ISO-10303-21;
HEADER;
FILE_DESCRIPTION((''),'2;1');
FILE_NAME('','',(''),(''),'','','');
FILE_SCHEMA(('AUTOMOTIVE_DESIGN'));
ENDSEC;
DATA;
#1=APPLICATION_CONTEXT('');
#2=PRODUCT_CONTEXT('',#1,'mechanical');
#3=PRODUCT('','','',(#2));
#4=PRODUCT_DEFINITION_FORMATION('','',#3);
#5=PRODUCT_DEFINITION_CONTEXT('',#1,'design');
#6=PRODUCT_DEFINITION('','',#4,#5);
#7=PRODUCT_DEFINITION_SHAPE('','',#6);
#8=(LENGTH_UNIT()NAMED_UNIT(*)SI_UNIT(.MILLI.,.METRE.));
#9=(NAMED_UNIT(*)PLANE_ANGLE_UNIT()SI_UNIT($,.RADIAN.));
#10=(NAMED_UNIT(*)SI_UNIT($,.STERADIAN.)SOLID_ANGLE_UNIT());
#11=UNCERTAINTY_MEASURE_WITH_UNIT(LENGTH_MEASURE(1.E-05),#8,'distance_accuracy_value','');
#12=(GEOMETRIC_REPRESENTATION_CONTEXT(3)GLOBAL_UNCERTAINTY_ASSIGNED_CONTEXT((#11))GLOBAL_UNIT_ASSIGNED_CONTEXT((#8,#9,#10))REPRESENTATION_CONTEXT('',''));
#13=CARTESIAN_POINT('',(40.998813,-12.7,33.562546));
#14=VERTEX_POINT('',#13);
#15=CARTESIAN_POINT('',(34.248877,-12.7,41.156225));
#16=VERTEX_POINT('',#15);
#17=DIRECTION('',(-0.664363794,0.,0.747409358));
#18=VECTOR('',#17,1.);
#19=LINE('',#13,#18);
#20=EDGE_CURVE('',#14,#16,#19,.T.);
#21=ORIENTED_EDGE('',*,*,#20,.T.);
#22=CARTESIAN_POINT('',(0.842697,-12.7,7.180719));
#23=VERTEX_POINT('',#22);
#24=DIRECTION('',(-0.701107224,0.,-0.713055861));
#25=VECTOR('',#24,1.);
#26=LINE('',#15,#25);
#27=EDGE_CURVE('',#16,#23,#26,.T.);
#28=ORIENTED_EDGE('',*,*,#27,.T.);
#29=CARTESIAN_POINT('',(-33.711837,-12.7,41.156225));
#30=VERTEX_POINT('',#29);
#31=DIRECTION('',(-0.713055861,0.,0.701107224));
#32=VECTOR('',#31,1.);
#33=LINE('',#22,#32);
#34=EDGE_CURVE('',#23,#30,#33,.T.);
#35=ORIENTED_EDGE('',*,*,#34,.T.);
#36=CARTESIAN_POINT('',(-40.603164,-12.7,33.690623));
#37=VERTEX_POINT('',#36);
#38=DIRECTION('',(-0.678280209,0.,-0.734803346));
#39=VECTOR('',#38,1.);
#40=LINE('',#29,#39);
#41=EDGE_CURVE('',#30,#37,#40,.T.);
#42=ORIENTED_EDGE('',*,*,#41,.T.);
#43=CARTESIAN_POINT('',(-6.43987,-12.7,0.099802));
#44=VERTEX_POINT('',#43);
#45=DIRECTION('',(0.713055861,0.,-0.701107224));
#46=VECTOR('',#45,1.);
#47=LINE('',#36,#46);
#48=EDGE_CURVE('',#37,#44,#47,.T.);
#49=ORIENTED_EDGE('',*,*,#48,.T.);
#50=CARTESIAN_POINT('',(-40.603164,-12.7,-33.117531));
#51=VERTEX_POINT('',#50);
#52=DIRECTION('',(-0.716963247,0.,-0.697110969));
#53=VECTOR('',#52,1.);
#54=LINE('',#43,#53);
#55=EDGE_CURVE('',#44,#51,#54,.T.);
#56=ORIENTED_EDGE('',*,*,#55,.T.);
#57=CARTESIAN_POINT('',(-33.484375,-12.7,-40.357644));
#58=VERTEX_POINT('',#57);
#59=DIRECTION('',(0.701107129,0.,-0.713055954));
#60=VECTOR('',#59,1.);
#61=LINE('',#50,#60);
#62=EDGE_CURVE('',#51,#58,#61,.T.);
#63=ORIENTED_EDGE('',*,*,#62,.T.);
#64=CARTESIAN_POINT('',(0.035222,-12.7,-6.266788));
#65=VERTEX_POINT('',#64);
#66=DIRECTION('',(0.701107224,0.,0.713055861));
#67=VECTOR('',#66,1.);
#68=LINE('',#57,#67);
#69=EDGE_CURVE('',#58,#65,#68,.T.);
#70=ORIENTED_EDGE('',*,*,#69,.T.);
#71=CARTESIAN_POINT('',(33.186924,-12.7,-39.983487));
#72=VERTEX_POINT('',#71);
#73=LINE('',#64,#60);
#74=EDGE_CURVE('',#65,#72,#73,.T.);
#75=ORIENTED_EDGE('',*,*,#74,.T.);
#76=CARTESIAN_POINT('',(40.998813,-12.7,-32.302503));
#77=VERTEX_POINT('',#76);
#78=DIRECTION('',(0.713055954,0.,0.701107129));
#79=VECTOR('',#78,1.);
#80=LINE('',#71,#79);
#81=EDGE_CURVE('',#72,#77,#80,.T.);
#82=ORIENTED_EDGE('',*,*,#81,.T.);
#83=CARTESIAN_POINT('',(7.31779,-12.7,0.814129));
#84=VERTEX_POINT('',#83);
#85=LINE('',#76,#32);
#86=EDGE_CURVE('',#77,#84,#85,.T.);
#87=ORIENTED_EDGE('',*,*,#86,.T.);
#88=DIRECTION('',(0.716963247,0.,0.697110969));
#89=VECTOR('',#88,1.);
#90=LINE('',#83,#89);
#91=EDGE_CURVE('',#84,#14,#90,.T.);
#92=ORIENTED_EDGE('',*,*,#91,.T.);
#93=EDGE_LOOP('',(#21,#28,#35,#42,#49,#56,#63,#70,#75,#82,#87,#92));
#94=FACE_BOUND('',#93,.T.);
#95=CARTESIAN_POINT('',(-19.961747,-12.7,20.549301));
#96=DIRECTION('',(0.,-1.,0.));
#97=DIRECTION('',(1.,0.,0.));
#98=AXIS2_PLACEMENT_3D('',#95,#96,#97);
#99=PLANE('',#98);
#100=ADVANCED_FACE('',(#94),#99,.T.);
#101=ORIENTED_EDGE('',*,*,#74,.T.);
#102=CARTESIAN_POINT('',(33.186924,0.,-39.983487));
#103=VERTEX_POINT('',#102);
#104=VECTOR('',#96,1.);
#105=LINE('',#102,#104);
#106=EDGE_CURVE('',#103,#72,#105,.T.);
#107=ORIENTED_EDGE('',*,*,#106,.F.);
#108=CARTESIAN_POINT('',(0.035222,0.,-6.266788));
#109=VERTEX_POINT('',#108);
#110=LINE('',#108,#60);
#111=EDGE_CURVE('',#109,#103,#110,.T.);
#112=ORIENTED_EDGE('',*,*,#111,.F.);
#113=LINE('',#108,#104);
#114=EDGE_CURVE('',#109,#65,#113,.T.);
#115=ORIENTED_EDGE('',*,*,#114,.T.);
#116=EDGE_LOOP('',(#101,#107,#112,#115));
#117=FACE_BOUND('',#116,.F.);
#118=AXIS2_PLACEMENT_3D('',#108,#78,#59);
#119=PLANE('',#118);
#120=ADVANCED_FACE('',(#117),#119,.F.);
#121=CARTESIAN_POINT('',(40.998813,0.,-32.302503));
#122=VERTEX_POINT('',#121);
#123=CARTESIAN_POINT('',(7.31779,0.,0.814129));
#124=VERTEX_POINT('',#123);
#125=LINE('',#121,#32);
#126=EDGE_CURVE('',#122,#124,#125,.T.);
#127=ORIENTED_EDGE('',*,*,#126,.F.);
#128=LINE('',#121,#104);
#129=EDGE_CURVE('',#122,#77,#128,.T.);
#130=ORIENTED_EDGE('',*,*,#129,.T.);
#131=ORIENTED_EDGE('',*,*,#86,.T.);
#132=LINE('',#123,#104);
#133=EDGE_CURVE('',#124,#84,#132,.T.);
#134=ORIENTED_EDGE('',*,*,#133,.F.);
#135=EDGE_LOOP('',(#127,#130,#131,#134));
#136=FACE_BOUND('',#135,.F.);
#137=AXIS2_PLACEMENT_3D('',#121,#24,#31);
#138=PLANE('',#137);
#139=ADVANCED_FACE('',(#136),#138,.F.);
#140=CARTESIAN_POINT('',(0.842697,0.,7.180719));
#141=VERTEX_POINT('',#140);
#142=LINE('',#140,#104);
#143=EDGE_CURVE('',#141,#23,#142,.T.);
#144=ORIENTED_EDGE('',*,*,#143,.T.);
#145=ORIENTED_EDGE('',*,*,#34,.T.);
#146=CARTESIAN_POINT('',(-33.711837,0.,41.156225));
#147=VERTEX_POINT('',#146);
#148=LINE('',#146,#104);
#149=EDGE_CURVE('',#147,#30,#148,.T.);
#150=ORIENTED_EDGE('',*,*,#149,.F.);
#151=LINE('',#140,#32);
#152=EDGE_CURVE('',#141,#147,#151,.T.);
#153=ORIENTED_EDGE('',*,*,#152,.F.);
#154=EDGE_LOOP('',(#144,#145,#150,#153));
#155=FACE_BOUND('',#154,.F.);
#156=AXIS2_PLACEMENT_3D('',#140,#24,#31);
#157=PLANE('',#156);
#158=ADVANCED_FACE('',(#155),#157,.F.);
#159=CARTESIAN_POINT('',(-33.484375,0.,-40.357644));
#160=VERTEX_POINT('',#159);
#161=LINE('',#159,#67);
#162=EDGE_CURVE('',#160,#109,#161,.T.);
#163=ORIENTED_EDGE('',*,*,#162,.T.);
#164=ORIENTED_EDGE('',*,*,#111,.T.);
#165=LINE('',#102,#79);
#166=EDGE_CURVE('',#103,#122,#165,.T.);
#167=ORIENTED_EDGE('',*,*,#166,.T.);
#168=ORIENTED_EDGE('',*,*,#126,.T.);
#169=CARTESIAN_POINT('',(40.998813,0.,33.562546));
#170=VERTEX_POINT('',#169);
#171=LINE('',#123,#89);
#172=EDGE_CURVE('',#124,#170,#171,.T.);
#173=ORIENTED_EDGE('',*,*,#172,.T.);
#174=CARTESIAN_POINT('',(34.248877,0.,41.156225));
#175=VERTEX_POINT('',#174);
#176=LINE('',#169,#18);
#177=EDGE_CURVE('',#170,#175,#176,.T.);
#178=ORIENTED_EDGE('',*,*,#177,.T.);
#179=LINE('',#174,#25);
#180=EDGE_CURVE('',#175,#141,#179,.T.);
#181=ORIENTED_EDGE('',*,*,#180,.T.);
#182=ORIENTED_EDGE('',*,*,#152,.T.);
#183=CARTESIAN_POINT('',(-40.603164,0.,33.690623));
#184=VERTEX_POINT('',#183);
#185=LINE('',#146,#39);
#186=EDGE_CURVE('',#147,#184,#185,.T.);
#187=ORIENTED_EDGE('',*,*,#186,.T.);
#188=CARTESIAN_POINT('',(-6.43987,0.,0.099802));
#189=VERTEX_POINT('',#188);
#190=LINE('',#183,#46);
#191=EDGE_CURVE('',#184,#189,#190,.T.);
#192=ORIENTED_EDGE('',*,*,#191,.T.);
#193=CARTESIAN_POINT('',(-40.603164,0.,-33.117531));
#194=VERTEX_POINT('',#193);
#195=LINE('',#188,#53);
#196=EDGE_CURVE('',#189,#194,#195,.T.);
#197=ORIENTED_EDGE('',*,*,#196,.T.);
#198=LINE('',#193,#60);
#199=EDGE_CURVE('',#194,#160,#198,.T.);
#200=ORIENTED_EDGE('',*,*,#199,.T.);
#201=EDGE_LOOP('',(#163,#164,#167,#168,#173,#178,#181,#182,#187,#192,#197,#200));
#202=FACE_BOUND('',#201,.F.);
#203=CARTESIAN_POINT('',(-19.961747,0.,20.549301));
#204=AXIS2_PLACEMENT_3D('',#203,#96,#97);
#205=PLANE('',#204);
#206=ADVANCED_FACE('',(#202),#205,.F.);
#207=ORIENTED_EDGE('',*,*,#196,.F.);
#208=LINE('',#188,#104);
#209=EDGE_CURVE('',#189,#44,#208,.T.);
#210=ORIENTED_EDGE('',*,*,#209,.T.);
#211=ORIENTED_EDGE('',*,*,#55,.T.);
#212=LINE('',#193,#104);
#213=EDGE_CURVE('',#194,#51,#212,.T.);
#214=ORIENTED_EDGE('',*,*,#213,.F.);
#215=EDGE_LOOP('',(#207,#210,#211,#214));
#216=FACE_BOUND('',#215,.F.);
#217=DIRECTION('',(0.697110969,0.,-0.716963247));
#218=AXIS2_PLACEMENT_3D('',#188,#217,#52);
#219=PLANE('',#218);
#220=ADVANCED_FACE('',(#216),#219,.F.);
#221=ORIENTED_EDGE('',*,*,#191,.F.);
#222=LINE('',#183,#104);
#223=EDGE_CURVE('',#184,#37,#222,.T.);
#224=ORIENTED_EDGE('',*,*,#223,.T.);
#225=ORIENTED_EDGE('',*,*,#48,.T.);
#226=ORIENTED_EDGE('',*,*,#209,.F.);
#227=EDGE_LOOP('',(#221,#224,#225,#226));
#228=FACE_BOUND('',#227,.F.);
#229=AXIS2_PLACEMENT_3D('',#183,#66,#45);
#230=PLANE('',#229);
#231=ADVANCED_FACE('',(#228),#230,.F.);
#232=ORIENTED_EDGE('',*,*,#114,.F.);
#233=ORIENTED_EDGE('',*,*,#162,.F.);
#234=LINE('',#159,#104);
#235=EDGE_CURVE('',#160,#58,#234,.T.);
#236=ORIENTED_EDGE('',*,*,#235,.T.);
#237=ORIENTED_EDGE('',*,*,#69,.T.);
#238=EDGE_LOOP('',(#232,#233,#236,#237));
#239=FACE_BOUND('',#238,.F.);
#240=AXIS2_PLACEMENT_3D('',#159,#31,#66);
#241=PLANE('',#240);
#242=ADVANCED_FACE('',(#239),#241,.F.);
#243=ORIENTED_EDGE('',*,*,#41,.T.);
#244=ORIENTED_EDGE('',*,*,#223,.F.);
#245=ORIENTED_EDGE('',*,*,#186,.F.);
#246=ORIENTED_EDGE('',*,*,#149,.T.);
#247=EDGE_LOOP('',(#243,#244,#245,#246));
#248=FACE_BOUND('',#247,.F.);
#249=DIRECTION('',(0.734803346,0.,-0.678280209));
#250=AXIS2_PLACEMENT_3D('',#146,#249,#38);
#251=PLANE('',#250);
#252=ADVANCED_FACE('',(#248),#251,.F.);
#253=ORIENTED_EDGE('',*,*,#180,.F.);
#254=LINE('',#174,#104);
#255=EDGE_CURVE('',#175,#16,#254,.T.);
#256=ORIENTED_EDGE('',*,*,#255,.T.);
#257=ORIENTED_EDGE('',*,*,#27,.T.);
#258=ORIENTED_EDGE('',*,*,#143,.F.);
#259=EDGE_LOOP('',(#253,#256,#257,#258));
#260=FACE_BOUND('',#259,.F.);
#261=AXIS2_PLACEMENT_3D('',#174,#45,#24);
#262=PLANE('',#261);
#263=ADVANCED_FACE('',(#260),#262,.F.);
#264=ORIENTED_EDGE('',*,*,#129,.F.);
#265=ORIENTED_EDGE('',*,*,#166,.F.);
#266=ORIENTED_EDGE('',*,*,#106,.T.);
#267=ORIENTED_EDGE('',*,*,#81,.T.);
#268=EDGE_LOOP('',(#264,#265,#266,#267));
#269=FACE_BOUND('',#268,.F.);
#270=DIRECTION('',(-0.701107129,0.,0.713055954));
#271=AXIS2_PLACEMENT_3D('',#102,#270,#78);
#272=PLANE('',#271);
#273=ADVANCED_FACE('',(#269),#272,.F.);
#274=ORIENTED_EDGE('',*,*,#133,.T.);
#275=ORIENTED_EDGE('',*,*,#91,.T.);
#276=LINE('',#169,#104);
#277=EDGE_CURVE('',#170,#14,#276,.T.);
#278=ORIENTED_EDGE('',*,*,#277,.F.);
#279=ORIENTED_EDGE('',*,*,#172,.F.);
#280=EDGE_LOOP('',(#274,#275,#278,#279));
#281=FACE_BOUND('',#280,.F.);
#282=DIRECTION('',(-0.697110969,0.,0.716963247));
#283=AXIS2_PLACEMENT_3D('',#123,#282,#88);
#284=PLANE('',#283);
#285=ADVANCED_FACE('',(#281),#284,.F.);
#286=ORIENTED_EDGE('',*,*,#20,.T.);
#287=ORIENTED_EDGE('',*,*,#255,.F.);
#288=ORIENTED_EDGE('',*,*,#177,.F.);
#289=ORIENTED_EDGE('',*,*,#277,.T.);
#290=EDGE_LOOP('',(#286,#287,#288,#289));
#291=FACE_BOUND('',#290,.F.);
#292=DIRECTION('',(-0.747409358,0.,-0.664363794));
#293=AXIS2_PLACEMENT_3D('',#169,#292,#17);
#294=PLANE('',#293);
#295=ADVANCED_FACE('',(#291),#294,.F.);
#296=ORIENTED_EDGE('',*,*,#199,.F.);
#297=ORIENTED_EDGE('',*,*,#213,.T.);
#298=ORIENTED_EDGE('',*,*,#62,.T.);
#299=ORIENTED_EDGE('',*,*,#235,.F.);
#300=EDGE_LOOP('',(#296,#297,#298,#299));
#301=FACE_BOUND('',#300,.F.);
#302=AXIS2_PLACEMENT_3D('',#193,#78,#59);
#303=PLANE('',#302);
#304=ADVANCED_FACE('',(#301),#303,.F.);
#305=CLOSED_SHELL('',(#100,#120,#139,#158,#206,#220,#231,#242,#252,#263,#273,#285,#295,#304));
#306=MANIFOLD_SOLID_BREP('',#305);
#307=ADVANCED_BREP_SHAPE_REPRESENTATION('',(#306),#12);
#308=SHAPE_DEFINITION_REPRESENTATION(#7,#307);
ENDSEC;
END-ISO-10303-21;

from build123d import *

# Parameters (mm, degrees)
F1_DEPTH = 12.7


with BuildPart() as f1:
    # F0 (on Front) → F1 (new body)
    with BuildSketch(Plane.XZ):
        Polygon((-33.7118367519, 41.1562249064), (-40.6031636763, 33.6906229065), (-6.4398701091, 0.0998017263), (0.842697291, 7.1807192451), align=None)
        Polygon((0.842697291, 7.1807192451), (-6.4398701091, 0.0998017263), (-2.4844633379, -3.7893245163), (0.0352224959, -6.2667881165), (7.317789896, 0.8141294024), align=None)
        Polygon((-2.4844633379, -3.7893245163), (-6.4398701091, 0.0998017263), (-40.6031636763, -33.1175309299), (-33.4843747504, -40.357643914), (0.0352224959, -6.2667881165), align=None)
        Polygon((34.2488773167, 41.1562249064), (0.842697291, 7.1807192451), (7.317789896, 0.8141294024), (40.9988134673, 33.5625458269), align=None)
        Polygon((40.9988134673, -32.3025031532), (7.317789896, 0.8141294024), (0.0352224959, -6.2667881165), (33.1869239615, -39.9834872244), align=None)
    extrude(amount=F1_DEPTH)


solid = f1.part
